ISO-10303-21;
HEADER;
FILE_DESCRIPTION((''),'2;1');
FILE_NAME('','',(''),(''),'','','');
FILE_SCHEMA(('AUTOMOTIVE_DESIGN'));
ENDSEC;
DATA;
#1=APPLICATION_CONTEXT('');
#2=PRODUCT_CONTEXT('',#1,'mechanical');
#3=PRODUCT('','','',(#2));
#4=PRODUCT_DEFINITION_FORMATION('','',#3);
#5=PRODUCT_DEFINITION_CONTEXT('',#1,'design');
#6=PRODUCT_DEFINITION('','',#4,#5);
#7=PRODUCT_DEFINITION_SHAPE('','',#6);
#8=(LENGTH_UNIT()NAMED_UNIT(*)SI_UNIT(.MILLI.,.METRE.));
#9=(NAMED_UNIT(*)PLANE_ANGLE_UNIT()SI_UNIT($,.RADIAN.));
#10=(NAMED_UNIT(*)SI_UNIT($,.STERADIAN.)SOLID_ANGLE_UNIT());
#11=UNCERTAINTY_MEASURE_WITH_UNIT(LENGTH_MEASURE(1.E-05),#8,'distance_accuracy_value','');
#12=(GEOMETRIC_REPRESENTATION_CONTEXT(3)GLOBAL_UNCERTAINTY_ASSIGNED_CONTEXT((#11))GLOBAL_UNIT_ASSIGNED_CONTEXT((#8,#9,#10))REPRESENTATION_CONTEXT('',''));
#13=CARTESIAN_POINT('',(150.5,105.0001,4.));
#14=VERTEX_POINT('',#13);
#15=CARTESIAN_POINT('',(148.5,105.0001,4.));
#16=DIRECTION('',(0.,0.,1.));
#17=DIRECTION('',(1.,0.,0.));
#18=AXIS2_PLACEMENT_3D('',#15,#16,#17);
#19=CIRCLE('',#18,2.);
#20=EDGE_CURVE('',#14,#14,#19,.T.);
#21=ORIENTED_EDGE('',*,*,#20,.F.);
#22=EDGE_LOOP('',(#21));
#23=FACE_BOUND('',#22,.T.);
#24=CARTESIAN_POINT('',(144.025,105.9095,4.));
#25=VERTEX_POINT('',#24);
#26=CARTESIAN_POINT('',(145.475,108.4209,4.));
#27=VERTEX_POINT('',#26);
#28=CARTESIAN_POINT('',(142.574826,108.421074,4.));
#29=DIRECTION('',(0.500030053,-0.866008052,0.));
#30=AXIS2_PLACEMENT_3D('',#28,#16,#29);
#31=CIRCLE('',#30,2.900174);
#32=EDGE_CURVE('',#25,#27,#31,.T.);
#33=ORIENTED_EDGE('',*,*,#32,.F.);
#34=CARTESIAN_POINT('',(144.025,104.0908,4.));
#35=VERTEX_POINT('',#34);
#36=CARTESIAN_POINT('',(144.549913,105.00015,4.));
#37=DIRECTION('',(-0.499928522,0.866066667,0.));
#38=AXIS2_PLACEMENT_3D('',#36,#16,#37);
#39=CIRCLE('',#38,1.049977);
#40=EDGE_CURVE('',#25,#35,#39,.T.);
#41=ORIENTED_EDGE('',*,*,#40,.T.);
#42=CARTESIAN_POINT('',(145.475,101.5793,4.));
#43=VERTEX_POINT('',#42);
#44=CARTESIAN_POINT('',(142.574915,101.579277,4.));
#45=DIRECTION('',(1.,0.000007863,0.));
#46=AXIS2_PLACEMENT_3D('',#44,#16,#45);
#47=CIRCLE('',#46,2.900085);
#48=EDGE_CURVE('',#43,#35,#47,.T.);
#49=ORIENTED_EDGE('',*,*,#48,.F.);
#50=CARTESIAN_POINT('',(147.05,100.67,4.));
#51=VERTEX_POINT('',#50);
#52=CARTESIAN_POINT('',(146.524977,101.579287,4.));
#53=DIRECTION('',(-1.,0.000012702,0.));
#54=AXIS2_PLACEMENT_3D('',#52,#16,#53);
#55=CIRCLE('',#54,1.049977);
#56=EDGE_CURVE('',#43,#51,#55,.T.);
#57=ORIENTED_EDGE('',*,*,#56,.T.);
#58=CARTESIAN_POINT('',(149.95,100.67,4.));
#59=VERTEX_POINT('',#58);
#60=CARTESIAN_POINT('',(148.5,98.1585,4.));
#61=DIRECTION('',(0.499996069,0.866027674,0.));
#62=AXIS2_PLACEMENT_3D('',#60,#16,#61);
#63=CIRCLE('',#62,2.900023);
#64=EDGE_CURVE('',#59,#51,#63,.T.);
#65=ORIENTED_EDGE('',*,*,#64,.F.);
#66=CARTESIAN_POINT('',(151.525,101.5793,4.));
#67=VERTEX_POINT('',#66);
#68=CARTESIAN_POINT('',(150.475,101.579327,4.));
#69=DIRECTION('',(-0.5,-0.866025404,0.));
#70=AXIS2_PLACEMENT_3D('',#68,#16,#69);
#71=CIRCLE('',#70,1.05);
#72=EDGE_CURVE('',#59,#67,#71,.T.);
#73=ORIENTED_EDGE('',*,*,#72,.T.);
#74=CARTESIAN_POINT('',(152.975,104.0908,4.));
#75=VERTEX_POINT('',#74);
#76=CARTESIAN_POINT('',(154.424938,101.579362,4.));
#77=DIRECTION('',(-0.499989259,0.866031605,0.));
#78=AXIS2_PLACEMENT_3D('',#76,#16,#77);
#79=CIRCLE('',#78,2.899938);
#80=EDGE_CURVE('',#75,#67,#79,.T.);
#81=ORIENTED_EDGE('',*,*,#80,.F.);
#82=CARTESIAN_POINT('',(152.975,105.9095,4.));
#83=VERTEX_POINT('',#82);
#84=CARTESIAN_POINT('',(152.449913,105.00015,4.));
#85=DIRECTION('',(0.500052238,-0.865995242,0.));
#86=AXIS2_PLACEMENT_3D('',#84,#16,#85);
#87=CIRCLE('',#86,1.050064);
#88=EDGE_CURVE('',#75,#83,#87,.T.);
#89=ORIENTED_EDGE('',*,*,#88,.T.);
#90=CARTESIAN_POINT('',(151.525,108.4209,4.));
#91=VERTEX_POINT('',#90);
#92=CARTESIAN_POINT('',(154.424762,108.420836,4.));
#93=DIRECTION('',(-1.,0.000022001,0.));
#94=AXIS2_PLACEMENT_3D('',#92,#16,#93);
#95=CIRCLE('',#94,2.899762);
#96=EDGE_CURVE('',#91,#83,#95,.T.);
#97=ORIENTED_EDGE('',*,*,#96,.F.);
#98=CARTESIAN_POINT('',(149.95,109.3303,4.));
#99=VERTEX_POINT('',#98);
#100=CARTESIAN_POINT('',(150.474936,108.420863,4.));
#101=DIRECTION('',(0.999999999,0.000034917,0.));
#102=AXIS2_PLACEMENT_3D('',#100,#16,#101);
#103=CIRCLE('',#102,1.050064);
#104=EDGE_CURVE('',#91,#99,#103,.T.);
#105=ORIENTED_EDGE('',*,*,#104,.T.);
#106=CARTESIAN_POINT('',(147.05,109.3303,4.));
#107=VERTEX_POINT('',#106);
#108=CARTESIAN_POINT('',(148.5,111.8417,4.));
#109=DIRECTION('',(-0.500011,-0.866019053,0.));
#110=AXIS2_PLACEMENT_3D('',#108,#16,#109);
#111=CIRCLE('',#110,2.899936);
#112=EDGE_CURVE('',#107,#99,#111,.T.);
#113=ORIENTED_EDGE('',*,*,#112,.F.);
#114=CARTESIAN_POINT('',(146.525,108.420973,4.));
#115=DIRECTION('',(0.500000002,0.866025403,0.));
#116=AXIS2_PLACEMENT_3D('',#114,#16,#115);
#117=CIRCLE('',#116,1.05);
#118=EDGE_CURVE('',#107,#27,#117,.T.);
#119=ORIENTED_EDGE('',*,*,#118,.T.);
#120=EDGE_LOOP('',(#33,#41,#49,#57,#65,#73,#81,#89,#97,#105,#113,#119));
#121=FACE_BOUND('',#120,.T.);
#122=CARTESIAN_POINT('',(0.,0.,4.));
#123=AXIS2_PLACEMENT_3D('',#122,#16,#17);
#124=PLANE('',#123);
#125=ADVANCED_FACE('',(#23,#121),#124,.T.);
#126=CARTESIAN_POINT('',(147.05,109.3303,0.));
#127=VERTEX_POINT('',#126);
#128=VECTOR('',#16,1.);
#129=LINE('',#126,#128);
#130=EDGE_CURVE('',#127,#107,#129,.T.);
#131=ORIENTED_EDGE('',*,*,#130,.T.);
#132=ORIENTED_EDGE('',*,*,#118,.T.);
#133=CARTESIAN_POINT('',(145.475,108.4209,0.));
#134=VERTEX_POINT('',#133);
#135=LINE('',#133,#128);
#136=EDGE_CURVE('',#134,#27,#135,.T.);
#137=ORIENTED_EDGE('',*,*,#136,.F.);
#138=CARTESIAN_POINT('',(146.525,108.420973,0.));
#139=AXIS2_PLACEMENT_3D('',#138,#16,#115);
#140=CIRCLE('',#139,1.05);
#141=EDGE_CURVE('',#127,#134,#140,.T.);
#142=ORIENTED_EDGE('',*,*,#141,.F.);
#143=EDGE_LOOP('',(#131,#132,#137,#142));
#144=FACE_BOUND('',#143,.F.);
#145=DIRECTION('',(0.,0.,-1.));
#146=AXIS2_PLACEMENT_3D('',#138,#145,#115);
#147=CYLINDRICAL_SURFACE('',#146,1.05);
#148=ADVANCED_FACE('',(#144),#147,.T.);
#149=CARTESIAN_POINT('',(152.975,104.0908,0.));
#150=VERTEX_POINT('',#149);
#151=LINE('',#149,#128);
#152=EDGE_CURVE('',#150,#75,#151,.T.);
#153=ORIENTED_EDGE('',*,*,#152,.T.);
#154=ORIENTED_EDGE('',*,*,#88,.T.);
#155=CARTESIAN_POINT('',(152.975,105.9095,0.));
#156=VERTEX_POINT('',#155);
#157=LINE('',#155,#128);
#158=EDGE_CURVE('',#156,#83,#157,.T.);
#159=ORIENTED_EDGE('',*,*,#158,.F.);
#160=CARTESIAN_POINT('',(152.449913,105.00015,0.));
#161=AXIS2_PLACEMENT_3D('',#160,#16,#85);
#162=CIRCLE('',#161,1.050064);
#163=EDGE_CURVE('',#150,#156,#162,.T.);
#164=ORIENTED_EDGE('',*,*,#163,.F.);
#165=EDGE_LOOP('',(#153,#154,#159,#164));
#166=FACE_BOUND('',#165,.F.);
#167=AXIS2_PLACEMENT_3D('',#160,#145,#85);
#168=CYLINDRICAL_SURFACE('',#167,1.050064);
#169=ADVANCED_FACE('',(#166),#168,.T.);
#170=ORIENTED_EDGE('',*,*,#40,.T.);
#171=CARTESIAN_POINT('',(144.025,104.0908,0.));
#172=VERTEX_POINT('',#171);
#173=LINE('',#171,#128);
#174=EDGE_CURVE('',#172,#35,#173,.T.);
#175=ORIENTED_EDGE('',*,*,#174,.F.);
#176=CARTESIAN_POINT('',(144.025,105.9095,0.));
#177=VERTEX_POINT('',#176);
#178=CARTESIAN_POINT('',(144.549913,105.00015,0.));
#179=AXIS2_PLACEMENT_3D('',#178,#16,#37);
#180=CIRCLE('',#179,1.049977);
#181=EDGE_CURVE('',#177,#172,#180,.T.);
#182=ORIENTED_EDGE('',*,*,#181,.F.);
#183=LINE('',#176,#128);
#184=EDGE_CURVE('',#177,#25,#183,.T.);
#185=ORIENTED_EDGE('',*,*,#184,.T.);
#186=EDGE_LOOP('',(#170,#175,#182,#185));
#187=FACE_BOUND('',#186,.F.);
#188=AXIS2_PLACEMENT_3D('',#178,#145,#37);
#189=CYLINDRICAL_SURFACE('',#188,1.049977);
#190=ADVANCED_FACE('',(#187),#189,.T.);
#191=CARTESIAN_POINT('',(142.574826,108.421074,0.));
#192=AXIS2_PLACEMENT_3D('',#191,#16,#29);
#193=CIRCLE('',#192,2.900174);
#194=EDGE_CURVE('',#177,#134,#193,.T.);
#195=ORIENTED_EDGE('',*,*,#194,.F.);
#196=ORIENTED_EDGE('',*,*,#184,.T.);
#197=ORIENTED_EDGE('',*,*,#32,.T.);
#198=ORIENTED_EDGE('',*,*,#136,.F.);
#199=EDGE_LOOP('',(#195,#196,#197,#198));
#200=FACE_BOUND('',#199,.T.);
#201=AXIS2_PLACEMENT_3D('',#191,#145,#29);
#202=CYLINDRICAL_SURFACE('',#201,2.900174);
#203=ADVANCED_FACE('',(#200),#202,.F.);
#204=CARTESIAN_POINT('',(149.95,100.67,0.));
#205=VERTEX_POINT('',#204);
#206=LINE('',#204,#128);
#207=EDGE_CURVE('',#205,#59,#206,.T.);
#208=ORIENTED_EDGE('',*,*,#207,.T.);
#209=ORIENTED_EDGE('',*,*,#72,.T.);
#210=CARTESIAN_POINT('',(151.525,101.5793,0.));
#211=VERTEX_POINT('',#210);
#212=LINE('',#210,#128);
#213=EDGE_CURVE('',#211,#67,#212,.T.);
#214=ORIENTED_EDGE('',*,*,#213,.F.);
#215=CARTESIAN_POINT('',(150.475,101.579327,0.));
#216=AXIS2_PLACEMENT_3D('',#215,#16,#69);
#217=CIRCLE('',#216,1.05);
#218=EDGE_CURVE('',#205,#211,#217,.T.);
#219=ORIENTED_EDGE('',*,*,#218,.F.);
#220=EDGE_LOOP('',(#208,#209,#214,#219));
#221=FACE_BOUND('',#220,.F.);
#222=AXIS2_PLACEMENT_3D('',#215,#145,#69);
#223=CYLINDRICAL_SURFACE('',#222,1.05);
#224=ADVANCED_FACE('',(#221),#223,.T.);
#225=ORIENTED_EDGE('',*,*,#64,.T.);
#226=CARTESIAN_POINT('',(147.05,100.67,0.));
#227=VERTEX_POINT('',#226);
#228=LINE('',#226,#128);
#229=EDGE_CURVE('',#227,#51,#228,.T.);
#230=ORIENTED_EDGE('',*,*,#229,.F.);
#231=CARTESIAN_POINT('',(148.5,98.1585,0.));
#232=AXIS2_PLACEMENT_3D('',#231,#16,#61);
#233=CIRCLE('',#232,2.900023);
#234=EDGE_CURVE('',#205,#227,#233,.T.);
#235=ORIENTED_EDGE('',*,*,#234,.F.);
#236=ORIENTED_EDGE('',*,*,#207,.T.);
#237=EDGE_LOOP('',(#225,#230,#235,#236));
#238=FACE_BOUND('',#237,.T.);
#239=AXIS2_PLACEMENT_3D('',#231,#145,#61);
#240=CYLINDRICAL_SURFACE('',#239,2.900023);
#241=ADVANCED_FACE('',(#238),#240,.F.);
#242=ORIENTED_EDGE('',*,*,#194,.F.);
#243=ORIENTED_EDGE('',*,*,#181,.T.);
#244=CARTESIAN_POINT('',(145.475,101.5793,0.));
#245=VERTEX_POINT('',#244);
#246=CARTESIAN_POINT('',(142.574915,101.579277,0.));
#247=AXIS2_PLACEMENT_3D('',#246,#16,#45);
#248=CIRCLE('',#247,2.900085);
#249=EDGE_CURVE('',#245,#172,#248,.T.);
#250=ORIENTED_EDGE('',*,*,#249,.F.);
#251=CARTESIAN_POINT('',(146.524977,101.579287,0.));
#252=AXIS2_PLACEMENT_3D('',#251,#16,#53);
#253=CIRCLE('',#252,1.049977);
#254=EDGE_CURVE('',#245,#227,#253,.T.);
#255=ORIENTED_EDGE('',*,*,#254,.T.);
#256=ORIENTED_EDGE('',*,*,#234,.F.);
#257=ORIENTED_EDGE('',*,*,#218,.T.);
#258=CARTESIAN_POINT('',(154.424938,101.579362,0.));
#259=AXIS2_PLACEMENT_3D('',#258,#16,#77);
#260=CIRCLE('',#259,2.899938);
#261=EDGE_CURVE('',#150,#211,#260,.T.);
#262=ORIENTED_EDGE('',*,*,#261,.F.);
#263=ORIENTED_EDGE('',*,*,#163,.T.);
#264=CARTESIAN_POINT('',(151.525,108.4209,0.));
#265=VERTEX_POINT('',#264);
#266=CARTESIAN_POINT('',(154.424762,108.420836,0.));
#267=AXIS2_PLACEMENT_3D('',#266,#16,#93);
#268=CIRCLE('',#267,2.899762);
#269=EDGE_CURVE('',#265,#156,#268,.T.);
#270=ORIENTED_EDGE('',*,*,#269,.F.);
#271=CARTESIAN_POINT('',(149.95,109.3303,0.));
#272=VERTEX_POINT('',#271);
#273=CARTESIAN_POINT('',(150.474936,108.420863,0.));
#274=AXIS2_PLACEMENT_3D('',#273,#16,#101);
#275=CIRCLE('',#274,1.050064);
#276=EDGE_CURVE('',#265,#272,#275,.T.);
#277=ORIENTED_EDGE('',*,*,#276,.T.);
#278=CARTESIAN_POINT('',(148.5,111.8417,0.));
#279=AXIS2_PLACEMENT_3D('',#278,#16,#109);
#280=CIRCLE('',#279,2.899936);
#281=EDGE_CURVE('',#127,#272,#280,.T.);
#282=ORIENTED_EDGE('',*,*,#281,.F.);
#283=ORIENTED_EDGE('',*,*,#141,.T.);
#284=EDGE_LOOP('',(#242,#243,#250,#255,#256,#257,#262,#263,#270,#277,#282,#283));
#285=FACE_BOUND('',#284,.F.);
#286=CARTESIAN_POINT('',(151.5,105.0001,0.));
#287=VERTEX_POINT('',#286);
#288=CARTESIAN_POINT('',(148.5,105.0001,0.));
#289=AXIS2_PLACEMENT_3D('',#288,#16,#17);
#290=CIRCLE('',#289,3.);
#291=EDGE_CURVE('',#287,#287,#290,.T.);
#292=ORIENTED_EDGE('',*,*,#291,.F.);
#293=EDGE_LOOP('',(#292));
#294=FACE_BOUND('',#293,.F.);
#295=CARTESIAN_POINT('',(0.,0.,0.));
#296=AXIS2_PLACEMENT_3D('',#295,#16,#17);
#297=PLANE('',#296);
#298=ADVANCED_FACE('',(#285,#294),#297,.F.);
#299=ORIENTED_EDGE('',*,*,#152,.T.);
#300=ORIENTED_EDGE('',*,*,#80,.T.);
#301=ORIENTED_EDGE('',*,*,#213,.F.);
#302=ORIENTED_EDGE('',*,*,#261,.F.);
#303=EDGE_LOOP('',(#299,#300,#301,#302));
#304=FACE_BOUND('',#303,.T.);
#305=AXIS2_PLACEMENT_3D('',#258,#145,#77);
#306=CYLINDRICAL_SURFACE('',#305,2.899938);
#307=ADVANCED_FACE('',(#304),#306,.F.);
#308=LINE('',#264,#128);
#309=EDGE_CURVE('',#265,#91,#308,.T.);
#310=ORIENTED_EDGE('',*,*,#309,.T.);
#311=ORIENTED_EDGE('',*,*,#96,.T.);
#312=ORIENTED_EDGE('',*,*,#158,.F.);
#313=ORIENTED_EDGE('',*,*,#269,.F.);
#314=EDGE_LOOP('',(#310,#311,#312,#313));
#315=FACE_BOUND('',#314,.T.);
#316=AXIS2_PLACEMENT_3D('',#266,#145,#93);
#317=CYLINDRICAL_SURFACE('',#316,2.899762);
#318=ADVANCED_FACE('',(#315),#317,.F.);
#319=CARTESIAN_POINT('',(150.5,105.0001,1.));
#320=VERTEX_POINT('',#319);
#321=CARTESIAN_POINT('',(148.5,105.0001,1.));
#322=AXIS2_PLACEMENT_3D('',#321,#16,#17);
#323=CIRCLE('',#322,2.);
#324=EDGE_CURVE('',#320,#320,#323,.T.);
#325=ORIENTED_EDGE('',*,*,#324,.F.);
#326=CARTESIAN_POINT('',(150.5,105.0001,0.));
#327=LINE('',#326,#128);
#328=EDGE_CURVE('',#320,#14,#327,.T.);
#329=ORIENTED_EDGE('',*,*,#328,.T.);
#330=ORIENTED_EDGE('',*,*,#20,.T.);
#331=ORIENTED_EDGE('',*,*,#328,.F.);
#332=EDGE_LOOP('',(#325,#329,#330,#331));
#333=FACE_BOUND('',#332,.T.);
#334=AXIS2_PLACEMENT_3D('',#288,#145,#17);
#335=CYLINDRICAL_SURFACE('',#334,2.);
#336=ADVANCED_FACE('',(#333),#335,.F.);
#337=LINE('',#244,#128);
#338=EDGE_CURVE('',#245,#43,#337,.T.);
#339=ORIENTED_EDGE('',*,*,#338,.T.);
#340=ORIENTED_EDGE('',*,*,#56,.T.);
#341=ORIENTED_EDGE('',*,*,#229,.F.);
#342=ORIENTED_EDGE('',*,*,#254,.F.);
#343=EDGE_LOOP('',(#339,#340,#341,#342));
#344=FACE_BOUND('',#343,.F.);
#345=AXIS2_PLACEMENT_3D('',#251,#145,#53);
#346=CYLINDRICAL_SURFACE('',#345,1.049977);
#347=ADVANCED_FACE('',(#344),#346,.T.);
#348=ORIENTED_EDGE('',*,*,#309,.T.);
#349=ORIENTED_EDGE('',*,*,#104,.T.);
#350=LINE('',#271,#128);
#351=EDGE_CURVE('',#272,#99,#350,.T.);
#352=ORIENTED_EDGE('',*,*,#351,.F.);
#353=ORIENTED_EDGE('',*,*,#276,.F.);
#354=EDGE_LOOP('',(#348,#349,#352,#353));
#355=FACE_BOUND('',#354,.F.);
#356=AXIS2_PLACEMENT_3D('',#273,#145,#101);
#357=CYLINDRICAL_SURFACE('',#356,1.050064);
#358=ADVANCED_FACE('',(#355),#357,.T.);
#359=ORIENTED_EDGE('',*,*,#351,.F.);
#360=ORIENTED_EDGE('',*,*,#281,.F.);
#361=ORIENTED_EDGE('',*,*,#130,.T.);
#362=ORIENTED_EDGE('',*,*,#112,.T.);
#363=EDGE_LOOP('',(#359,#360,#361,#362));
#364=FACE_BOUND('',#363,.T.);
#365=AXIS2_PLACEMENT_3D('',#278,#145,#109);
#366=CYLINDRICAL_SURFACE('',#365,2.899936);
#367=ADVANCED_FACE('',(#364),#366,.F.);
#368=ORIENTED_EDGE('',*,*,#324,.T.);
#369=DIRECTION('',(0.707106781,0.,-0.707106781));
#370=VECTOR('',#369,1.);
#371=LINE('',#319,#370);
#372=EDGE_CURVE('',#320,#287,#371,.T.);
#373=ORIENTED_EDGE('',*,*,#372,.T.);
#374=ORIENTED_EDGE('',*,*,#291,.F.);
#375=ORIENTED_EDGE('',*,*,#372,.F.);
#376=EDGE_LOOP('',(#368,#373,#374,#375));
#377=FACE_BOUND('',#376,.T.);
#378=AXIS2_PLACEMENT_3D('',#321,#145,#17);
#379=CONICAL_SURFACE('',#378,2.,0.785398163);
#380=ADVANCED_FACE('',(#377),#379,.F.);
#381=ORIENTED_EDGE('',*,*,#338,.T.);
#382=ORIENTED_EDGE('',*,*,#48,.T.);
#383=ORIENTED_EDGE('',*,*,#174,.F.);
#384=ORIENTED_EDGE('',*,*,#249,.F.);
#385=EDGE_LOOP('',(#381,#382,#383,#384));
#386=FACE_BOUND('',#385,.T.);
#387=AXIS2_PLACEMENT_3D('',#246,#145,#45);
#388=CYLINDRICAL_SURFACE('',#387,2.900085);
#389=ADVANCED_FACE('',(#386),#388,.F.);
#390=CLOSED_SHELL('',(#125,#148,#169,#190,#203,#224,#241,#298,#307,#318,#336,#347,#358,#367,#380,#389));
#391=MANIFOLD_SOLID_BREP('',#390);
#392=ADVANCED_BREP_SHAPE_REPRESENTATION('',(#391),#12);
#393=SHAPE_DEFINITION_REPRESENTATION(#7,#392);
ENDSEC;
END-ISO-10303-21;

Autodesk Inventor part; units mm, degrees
ref_plane "YZ Plane" through (0, 0, 0) normal (1, 0, 0) x (0, 1, 0)
ref_plane "XZ Plane" through (0, 0, 0) normal (0, 1, 0) x (-1, 0, 0)
ref_plane "XY Plane" through (0, 0, 0) normal (0, 0, 1) x (1, 0, 0)
sketch "スケッチ1" plane through (0, 0, 0) normal (0, 0, 1) x (1, 0, 0)
  arc A0 (144.025, 105.9095) -> (145.475, 108.4209) centre (142.575, 108.4209) ccw
  arc A1 (145.475, 101.5793) -> (144.025, 104.0908) centre (142.575, 101.5793) ccw
  line L0 (146, 100.67) -> (143.5, 105.0001) construction
  arc A2 (144.025, 105.9095) -> (144.025, 104.0908) centre (144.55, 105.0001) ccw
  line L1 (143.5, 105.0001) -> (146, 109.3303) construction
  circle A3 centre (148.5, 105.0001) radius 5 construction
  arc A4 (149.95, 100.67) -> (147.05, 100.67) centre (148.5, 98.1585) ccw
  line L2 (151, 100.67) -> (146, 100.67) construction
  arc A5 (145.475, 101.5793) -> (147.05, 100.67) centre (146.525, 101.5793) ccw
  arc A6 (149.95, 100.67) -> (151.525, 101.5793) centre (150.475, 101.5793) ccw
  arc A7 (152.975, 104.0908) -> (151.525, 101.5793) centre (154.425, 101.5793) ccw
  line L3 (153.5, 105.0001) -> (151, 100.67) construction
  arc A8 (152.975, 104.0908) -> (152.975, 105.9095) centre (152.45, 105.0001) ccw
  circle A9 centre (148.5, 105.0001) radius 2
  line L4 (151, 109.3303) -> (153.5, 105.0001) construction
  arc A10 (151.525, 108.4209) -> (152.975, 105.9095) centre (154.425, 108.4209) ccw
  arc A11 (151.525, 108.4209) -> (149.95, 109.3303) centre (150.475, 108.4209) ccw
  line L5 (146, 109.3303) -> (151, 109.3303) construction
  arc A12 (147.05, 109.3303) -> (149.95, 109.3303) centre (148.5, 111.8417) ccw
  arc A13 (147.05, 109.3303) -> (145.475, 108.4209) centre (146.525, 108.4209) ccw
  circle A14 centre (148.5, 105.0001) radius 6 construction
  point P0 (0, 0)
  point P1 (146, 100.67)
  point P2 (151, 100.67)
  point P3 (153.5, 105.0001)
  point P4 (145.475, 101.5793)
  point P5 (151.525, 101.5793)
  point P6 (152.975, 104.0908)
  point P7 (152.975, 105.9095)
  point P8 (151.525, 108.4209)
  point P9 (145.475, 108.4209)
  point P10 (144.025, 105.9095)
  point P11 (144.025, 104.0908)
  dimension "d4" = 10
  dimension "d5" = 360
  dimension "d6" = 360
  dimension "d7" = 1.05
  dimension "d8" = 4
  dimension "d9" = 12
extrude "押し出し1" add sketch "スケッチ1" along normal blind 4
chamfer "面取り1" distance 1 angle 45 1 edges at (146.5, 105.0001, 0)
properties part number "3ギア接続部3" material "アルミニウム 2014-T4"
